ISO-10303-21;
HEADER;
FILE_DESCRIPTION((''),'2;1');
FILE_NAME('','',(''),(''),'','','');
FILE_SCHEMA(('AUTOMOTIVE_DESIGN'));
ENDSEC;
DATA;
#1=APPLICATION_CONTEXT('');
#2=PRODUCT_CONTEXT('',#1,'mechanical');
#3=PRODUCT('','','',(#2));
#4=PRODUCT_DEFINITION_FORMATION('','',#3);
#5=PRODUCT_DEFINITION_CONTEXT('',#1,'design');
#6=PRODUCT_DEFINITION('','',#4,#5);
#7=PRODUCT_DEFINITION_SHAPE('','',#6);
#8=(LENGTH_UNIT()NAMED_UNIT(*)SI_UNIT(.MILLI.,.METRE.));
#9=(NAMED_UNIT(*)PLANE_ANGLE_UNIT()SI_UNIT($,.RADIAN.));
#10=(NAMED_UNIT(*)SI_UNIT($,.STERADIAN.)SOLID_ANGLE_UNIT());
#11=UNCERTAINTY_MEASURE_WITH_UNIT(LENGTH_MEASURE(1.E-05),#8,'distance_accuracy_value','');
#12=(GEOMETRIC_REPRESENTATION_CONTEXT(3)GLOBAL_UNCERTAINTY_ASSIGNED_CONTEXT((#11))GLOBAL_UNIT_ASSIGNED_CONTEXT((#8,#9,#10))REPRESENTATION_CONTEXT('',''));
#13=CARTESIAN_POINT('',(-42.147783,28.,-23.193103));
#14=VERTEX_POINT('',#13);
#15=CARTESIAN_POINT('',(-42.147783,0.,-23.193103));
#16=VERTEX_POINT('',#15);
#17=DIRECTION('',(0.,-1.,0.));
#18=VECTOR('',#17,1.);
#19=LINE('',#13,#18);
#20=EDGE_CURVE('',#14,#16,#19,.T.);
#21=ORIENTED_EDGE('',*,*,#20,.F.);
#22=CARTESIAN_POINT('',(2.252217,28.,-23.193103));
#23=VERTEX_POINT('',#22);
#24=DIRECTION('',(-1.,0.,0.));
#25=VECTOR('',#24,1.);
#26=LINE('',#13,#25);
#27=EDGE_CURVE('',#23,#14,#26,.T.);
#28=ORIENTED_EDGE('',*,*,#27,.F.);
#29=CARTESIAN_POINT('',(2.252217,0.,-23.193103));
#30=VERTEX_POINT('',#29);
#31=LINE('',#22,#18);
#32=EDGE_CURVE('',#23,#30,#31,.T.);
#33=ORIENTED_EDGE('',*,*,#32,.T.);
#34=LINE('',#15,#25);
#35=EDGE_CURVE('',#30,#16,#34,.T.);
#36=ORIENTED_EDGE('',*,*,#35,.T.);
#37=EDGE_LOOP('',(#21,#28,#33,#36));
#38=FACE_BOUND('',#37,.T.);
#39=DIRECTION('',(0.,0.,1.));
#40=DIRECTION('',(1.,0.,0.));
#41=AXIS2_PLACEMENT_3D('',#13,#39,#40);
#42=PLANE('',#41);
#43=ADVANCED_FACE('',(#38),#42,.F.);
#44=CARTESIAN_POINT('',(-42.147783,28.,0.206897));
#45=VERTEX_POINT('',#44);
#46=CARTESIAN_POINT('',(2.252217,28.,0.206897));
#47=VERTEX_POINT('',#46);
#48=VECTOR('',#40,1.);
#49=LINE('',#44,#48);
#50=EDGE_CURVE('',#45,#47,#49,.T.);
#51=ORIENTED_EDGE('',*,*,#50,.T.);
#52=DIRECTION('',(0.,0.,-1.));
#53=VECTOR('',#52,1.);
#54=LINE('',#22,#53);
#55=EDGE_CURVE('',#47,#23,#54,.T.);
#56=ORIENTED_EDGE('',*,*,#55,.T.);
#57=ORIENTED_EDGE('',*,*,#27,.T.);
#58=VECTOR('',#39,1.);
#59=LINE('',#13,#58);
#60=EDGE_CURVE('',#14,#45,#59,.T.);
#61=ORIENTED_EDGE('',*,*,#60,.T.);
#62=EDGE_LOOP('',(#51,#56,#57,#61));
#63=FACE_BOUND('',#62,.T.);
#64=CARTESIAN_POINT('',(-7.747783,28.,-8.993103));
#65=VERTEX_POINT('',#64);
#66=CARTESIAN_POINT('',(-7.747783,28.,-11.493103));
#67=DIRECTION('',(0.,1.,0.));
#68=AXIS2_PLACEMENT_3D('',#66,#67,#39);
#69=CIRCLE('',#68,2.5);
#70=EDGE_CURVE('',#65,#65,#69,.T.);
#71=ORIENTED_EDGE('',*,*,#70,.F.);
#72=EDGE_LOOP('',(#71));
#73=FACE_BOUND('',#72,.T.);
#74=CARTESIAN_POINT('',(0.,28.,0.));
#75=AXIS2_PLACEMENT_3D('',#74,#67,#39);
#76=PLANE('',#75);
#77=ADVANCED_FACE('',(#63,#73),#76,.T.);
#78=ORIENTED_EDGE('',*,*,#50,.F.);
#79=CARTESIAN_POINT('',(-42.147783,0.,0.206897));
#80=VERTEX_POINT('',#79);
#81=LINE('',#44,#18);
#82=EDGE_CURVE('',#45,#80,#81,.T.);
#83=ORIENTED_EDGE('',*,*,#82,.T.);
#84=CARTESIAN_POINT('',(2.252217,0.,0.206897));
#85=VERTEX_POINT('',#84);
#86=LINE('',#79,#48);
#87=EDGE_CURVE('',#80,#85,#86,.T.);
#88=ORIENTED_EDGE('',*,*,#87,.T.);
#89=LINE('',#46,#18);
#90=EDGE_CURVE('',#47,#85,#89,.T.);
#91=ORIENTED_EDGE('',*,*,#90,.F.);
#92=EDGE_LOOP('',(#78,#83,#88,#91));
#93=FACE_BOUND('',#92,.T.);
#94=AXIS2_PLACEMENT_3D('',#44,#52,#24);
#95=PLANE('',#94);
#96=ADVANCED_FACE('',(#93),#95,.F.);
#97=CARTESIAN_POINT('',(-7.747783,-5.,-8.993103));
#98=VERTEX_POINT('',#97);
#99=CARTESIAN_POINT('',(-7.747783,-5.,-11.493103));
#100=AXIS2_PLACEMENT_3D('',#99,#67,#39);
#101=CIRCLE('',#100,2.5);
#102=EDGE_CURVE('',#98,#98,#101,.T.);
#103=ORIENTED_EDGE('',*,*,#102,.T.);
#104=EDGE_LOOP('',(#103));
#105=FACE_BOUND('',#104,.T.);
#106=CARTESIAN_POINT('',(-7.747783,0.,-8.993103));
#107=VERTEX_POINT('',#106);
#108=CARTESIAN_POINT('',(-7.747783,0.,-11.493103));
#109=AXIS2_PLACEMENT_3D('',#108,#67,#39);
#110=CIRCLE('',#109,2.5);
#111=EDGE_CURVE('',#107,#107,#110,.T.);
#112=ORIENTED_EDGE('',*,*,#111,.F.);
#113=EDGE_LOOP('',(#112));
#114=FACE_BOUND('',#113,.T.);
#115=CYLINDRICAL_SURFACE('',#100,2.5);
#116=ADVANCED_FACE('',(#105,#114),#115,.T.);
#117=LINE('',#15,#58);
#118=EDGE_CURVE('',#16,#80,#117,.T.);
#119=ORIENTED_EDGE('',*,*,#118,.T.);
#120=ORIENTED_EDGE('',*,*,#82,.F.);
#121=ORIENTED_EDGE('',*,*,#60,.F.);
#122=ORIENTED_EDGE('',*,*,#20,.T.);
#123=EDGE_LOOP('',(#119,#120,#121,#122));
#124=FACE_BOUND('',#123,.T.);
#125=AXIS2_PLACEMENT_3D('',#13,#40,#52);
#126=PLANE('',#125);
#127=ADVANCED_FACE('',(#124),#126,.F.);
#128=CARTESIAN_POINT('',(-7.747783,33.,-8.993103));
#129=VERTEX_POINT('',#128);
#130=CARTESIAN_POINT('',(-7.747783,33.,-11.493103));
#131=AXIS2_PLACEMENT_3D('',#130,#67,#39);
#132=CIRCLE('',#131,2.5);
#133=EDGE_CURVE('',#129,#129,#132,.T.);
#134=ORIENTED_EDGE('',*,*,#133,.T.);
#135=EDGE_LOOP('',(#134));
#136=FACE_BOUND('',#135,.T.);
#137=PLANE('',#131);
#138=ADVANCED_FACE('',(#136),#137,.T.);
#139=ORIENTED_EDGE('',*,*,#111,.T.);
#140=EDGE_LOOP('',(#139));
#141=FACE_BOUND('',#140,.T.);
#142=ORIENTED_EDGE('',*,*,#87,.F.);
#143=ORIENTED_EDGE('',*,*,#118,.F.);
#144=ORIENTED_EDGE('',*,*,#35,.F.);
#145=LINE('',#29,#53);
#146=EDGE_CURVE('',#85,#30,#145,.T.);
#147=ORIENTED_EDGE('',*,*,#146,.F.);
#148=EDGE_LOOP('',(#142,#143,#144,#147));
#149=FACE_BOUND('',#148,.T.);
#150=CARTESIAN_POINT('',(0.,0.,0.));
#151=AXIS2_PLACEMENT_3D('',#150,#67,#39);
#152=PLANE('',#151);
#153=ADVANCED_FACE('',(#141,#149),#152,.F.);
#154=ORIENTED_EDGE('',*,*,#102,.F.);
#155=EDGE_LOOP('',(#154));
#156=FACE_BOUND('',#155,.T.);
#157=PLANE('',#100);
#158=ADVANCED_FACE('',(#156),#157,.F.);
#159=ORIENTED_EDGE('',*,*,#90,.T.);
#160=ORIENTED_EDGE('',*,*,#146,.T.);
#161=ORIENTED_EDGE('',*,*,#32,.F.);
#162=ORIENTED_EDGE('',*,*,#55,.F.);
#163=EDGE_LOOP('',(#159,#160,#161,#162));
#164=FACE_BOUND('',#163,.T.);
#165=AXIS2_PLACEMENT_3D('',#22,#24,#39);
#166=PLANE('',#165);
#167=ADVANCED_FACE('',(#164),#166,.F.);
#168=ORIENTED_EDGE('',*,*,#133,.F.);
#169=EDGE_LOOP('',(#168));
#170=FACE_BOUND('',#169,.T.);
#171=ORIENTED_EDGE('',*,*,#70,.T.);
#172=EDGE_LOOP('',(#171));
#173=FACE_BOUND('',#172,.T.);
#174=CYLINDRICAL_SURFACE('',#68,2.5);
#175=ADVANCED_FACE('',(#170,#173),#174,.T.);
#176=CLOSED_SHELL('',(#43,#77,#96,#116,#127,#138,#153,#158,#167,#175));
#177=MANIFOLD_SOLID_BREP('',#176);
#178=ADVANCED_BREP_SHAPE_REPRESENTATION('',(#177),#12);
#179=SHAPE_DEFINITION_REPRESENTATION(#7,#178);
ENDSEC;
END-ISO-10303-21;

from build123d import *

# Parameters (mm, degrees)
SKETCH_1_W             = 44.4
SKETCH_1_H             = 23.4
EXTRUDE_1_DEPTH        = 28
SKETCH_2_R             = 2.5
EXTRUDE_2_DEPTH        = 5
PATTERN_LINEAR_1_COUNT = 2
PATTERN_LINEAR_1_PITCH = 33


with BuildPart() as part:
    # 草圖1 → 填料-伸長1 (new body)
    with BuildSketch(Plane(origin=(0, 0, 0), x_dir=(1, 0, 0), z_dir=(0, 1, 0))):
        with Locations((-19.947783251, 11.493103448)):
            Rectangle(SKETCH_1_W, SKETCH_1_H)
    extrude(amount=EXTRUDE_1_DEPTH)

    # 草圖2 → 填料-伸長2 (add)
    with BuildSketch(Plane(origin=(0, 0, 0), x_dir=(1, 0, 0), z_dir=(0, 1, 0))):
        with Locations((-7.747783251, 11.493103448)):
            Circle(SKETCH_2_R)
    extrude_2 = extrude(amount=-EXTRUDE_2_DEPTH)

    # 直線複製排列1: 填料-伸長2 ×2
    with Locations(*[(0, i * PATTERN_LINEAR_1_PITCH, 0) for i in range(1, PATTERN_LINEAR_1_COUNT)]):
        add(extrude_2)


solid = part.part
